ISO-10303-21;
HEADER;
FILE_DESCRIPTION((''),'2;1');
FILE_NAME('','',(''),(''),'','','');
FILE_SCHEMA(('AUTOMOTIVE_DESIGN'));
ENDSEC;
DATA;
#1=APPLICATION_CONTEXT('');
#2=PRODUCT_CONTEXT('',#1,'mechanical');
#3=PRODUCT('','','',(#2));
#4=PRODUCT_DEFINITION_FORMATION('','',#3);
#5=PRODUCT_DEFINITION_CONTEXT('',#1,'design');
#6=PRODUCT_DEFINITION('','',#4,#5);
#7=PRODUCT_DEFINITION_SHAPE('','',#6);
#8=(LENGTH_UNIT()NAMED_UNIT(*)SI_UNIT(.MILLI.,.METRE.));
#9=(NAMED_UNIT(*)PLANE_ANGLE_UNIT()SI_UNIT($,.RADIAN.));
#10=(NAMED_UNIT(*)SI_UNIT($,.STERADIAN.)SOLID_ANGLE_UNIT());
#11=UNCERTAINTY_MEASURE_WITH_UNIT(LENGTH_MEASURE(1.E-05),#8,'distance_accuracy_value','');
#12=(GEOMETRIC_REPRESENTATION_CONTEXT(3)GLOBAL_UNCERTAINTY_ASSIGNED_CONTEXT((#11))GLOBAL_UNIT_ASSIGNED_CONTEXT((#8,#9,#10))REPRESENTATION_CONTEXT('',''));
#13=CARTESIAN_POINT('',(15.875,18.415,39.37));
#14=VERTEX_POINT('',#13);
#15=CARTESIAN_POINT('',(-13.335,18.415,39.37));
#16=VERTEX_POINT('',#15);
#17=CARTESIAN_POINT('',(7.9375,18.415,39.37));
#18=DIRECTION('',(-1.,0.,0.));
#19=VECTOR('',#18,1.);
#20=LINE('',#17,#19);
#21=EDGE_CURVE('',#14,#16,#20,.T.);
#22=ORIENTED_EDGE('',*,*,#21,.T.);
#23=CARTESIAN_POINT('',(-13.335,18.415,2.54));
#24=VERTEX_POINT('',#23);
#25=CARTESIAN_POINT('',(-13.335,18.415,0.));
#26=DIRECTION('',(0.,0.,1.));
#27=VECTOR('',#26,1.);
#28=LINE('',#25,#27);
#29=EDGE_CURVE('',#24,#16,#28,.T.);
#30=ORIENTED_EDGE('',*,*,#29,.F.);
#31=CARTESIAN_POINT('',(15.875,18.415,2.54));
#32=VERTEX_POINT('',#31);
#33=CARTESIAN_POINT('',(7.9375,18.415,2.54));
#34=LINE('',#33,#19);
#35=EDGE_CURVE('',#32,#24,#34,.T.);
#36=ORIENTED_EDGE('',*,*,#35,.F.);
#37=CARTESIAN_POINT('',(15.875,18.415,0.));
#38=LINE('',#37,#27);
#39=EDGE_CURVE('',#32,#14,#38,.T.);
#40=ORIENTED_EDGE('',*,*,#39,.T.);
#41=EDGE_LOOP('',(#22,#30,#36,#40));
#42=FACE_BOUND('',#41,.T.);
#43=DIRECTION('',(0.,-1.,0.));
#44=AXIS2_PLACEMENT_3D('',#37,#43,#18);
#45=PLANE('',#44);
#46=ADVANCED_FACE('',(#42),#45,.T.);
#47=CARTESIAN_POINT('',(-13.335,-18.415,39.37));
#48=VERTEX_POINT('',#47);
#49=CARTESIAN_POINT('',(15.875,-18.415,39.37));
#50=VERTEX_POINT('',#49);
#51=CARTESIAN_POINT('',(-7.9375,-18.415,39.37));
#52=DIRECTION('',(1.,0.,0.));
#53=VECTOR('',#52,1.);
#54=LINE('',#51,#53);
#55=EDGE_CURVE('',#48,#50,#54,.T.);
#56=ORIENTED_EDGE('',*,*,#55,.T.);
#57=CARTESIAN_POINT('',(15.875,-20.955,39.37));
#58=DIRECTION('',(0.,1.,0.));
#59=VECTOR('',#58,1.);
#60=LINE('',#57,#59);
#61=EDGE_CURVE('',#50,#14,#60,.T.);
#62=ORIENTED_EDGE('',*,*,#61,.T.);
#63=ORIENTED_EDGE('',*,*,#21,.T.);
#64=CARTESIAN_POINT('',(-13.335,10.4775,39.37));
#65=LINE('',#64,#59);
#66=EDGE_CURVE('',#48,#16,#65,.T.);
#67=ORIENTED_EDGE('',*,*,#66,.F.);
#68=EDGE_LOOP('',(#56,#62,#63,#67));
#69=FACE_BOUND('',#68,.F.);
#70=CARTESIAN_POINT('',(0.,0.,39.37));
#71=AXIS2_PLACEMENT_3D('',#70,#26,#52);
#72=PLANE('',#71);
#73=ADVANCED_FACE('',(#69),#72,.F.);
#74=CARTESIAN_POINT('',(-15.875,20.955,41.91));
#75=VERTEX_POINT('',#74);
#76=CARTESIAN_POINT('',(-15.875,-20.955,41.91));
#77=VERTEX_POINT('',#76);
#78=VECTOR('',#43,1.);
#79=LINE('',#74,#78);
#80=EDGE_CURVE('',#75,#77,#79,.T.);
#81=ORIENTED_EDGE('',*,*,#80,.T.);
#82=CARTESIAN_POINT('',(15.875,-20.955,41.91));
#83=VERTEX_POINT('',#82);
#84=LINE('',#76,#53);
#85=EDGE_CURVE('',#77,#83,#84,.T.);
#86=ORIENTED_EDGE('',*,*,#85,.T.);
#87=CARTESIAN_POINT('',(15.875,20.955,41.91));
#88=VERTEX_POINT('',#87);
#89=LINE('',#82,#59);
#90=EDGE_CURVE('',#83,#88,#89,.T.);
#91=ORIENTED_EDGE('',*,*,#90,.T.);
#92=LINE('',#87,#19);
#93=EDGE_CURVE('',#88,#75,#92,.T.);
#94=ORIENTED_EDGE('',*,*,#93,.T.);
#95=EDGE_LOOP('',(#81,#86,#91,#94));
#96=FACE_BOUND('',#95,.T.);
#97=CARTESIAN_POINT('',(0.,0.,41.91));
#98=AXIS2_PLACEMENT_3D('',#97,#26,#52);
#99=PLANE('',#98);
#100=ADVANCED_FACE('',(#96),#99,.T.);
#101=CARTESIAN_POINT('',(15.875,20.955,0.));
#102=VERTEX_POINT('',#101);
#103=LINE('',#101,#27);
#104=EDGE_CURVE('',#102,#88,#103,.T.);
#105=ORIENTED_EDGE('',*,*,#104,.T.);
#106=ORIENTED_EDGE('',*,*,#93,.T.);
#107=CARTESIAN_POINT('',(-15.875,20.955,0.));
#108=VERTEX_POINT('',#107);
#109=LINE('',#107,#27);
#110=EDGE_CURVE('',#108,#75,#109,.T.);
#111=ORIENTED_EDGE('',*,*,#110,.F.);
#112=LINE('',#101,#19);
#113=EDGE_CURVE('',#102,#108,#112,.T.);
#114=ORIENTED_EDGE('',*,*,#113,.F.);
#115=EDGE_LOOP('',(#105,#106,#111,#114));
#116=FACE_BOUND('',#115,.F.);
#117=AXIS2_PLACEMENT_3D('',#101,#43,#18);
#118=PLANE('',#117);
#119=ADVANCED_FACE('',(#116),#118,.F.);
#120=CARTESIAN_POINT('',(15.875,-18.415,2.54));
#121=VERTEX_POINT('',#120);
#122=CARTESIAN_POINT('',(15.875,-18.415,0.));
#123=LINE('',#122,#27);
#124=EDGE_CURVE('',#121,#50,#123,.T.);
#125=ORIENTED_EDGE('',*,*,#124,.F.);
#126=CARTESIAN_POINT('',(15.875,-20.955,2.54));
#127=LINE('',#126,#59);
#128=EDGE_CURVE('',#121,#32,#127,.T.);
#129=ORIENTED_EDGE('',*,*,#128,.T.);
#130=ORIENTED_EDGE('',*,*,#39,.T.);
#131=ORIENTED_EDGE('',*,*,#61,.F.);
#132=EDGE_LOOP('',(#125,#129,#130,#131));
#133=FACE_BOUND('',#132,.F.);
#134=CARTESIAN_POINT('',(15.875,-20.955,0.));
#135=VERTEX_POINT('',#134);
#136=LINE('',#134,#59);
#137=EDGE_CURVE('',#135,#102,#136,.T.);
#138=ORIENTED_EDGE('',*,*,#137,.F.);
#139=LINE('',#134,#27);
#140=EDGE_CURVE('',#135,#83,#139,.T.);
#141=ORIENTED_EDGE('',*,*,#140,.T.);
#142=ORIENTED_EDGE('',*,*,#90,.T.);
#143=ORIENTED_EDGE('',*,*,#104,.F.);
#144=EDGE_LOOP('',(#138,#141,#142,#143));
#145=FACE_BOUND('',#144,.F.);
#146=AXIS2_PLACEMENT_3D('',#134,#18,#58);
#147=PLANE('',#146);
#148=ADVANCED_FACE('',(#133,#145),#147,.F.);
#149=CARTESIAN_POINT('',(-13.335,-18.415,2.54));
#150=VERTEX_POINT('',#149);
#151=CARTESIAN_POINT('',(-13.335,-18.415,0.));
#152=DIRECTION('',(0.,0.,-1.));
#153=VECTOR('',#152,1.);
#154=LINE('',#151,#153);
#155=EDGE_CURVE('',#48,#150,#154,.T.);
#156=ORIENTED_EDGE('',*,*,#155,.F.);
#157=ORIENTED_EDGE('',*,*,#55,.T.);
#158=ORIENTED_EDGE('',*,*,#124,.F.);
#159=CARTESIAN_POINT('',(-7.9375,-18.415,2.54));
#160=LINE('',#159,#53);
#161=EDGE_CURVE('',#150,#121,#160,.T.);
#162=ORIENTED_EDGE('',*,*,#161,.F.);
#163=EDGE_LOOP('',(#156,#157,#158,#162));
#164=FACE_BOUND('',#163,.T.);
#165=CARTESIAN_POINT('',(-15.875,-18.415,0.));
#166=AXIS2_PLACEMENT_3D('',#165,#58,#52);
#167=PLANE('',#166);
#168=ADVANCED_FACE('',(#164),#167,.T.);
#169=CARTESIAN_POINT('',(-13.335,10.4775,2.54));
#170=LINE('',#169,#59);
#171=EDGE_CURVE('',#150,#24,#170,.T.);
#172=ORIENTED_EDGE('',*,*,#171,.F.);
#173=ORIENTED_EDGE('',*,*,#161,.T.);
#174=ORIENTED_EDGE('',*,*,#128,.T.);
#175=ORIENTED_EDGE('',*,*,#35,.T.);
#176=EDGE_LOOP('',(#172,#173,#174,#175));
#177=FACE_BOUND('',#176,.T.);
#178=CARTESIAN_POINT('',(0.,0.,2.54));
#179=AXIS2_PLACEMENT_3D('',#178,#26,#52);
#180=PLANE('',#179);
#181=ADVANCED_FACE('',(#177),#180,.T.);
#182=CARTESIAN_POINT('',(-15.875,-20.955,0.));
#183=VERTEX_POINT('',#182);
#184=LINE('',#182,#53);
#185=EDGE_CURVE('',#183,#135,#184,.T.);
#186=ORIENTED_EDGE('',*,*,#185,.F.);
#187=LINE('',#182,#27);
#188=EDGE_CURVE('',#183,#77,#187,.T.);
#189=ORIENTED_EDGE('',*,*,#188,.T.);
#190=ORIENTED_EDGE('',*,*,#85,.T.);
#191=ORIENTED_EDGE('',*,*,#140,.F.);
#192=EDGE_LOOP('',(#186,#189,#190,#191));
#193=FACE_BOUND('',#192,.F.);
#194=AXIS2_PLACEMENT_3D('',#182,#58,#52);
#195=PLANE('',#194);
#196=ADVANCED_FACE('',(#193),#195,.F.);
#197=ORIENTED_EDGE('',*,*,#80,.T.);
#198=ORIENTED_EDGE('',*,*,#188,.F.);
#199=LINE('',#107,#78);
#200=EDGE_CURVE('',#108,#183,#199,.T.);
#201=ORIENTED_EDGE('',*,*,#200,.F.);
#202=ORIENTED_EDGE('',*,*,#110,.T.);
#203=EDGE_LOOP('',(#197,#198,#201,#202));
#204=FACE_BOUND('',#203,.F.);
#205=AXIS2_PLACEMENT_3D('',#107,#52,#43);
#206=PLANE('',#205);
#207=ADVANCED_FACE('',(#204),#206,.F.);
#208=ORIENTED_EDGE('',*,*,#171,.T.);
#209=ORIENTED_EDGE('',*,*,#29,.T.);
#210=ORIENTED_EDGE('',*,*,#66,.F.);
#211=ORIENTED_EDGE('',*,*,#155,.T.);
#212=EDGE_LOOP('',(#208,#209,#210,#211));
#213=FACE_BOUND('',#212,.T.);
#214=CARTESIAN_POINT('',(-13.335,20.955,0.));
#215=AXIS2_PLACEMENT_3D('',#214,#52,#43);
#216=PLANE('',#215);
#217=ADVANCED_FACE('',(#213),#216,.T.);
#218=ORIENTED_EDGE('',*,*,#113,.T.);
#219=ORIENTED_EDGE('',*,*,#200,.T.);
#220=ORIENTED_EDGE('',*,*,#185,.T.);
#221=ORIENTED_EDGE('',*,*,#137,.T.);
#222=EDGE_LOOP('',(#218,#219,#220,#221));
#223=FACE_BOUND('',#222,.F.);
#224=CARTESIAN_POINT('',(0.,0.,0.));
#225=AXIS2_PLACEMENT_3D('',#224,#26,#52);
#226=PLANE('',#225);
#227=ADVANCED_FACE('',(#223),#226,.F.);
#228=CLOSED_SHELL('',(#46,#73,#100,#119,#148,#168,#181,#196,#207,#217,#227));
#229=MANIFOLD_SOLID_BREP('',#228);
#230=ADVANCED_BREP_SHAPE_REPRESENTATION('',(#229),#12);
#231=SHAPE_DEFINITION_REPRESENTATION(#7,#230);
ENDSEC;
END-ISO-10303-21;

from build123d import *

# Parameters (mm, degrees)
F1_DEPTH = 41.91
F2_T     = -2.54


with BuildPart() as f1:
    # F0 (on Top) → F1 (new body)
    with BuildSketch(Plane.XY):
        Polygon((-14.605, -20.955), (14.605, -20.955), (15.875, -20.955), (15.875, 20.955), (14.605, 20.955), (-14.605, 20.955), (-15.875, 20.955), (-15.875, -20.955), align=None)
    extrude(amount=F1_DEPTH)

    # F2
    f2_openings = [f1.faces().sort_by_distance(p)[0] for p in [
        (15.875, 0, 20.955),
    ]]
    offset(amount=F2_T, openings=f2_openings)


solid = f1.part
